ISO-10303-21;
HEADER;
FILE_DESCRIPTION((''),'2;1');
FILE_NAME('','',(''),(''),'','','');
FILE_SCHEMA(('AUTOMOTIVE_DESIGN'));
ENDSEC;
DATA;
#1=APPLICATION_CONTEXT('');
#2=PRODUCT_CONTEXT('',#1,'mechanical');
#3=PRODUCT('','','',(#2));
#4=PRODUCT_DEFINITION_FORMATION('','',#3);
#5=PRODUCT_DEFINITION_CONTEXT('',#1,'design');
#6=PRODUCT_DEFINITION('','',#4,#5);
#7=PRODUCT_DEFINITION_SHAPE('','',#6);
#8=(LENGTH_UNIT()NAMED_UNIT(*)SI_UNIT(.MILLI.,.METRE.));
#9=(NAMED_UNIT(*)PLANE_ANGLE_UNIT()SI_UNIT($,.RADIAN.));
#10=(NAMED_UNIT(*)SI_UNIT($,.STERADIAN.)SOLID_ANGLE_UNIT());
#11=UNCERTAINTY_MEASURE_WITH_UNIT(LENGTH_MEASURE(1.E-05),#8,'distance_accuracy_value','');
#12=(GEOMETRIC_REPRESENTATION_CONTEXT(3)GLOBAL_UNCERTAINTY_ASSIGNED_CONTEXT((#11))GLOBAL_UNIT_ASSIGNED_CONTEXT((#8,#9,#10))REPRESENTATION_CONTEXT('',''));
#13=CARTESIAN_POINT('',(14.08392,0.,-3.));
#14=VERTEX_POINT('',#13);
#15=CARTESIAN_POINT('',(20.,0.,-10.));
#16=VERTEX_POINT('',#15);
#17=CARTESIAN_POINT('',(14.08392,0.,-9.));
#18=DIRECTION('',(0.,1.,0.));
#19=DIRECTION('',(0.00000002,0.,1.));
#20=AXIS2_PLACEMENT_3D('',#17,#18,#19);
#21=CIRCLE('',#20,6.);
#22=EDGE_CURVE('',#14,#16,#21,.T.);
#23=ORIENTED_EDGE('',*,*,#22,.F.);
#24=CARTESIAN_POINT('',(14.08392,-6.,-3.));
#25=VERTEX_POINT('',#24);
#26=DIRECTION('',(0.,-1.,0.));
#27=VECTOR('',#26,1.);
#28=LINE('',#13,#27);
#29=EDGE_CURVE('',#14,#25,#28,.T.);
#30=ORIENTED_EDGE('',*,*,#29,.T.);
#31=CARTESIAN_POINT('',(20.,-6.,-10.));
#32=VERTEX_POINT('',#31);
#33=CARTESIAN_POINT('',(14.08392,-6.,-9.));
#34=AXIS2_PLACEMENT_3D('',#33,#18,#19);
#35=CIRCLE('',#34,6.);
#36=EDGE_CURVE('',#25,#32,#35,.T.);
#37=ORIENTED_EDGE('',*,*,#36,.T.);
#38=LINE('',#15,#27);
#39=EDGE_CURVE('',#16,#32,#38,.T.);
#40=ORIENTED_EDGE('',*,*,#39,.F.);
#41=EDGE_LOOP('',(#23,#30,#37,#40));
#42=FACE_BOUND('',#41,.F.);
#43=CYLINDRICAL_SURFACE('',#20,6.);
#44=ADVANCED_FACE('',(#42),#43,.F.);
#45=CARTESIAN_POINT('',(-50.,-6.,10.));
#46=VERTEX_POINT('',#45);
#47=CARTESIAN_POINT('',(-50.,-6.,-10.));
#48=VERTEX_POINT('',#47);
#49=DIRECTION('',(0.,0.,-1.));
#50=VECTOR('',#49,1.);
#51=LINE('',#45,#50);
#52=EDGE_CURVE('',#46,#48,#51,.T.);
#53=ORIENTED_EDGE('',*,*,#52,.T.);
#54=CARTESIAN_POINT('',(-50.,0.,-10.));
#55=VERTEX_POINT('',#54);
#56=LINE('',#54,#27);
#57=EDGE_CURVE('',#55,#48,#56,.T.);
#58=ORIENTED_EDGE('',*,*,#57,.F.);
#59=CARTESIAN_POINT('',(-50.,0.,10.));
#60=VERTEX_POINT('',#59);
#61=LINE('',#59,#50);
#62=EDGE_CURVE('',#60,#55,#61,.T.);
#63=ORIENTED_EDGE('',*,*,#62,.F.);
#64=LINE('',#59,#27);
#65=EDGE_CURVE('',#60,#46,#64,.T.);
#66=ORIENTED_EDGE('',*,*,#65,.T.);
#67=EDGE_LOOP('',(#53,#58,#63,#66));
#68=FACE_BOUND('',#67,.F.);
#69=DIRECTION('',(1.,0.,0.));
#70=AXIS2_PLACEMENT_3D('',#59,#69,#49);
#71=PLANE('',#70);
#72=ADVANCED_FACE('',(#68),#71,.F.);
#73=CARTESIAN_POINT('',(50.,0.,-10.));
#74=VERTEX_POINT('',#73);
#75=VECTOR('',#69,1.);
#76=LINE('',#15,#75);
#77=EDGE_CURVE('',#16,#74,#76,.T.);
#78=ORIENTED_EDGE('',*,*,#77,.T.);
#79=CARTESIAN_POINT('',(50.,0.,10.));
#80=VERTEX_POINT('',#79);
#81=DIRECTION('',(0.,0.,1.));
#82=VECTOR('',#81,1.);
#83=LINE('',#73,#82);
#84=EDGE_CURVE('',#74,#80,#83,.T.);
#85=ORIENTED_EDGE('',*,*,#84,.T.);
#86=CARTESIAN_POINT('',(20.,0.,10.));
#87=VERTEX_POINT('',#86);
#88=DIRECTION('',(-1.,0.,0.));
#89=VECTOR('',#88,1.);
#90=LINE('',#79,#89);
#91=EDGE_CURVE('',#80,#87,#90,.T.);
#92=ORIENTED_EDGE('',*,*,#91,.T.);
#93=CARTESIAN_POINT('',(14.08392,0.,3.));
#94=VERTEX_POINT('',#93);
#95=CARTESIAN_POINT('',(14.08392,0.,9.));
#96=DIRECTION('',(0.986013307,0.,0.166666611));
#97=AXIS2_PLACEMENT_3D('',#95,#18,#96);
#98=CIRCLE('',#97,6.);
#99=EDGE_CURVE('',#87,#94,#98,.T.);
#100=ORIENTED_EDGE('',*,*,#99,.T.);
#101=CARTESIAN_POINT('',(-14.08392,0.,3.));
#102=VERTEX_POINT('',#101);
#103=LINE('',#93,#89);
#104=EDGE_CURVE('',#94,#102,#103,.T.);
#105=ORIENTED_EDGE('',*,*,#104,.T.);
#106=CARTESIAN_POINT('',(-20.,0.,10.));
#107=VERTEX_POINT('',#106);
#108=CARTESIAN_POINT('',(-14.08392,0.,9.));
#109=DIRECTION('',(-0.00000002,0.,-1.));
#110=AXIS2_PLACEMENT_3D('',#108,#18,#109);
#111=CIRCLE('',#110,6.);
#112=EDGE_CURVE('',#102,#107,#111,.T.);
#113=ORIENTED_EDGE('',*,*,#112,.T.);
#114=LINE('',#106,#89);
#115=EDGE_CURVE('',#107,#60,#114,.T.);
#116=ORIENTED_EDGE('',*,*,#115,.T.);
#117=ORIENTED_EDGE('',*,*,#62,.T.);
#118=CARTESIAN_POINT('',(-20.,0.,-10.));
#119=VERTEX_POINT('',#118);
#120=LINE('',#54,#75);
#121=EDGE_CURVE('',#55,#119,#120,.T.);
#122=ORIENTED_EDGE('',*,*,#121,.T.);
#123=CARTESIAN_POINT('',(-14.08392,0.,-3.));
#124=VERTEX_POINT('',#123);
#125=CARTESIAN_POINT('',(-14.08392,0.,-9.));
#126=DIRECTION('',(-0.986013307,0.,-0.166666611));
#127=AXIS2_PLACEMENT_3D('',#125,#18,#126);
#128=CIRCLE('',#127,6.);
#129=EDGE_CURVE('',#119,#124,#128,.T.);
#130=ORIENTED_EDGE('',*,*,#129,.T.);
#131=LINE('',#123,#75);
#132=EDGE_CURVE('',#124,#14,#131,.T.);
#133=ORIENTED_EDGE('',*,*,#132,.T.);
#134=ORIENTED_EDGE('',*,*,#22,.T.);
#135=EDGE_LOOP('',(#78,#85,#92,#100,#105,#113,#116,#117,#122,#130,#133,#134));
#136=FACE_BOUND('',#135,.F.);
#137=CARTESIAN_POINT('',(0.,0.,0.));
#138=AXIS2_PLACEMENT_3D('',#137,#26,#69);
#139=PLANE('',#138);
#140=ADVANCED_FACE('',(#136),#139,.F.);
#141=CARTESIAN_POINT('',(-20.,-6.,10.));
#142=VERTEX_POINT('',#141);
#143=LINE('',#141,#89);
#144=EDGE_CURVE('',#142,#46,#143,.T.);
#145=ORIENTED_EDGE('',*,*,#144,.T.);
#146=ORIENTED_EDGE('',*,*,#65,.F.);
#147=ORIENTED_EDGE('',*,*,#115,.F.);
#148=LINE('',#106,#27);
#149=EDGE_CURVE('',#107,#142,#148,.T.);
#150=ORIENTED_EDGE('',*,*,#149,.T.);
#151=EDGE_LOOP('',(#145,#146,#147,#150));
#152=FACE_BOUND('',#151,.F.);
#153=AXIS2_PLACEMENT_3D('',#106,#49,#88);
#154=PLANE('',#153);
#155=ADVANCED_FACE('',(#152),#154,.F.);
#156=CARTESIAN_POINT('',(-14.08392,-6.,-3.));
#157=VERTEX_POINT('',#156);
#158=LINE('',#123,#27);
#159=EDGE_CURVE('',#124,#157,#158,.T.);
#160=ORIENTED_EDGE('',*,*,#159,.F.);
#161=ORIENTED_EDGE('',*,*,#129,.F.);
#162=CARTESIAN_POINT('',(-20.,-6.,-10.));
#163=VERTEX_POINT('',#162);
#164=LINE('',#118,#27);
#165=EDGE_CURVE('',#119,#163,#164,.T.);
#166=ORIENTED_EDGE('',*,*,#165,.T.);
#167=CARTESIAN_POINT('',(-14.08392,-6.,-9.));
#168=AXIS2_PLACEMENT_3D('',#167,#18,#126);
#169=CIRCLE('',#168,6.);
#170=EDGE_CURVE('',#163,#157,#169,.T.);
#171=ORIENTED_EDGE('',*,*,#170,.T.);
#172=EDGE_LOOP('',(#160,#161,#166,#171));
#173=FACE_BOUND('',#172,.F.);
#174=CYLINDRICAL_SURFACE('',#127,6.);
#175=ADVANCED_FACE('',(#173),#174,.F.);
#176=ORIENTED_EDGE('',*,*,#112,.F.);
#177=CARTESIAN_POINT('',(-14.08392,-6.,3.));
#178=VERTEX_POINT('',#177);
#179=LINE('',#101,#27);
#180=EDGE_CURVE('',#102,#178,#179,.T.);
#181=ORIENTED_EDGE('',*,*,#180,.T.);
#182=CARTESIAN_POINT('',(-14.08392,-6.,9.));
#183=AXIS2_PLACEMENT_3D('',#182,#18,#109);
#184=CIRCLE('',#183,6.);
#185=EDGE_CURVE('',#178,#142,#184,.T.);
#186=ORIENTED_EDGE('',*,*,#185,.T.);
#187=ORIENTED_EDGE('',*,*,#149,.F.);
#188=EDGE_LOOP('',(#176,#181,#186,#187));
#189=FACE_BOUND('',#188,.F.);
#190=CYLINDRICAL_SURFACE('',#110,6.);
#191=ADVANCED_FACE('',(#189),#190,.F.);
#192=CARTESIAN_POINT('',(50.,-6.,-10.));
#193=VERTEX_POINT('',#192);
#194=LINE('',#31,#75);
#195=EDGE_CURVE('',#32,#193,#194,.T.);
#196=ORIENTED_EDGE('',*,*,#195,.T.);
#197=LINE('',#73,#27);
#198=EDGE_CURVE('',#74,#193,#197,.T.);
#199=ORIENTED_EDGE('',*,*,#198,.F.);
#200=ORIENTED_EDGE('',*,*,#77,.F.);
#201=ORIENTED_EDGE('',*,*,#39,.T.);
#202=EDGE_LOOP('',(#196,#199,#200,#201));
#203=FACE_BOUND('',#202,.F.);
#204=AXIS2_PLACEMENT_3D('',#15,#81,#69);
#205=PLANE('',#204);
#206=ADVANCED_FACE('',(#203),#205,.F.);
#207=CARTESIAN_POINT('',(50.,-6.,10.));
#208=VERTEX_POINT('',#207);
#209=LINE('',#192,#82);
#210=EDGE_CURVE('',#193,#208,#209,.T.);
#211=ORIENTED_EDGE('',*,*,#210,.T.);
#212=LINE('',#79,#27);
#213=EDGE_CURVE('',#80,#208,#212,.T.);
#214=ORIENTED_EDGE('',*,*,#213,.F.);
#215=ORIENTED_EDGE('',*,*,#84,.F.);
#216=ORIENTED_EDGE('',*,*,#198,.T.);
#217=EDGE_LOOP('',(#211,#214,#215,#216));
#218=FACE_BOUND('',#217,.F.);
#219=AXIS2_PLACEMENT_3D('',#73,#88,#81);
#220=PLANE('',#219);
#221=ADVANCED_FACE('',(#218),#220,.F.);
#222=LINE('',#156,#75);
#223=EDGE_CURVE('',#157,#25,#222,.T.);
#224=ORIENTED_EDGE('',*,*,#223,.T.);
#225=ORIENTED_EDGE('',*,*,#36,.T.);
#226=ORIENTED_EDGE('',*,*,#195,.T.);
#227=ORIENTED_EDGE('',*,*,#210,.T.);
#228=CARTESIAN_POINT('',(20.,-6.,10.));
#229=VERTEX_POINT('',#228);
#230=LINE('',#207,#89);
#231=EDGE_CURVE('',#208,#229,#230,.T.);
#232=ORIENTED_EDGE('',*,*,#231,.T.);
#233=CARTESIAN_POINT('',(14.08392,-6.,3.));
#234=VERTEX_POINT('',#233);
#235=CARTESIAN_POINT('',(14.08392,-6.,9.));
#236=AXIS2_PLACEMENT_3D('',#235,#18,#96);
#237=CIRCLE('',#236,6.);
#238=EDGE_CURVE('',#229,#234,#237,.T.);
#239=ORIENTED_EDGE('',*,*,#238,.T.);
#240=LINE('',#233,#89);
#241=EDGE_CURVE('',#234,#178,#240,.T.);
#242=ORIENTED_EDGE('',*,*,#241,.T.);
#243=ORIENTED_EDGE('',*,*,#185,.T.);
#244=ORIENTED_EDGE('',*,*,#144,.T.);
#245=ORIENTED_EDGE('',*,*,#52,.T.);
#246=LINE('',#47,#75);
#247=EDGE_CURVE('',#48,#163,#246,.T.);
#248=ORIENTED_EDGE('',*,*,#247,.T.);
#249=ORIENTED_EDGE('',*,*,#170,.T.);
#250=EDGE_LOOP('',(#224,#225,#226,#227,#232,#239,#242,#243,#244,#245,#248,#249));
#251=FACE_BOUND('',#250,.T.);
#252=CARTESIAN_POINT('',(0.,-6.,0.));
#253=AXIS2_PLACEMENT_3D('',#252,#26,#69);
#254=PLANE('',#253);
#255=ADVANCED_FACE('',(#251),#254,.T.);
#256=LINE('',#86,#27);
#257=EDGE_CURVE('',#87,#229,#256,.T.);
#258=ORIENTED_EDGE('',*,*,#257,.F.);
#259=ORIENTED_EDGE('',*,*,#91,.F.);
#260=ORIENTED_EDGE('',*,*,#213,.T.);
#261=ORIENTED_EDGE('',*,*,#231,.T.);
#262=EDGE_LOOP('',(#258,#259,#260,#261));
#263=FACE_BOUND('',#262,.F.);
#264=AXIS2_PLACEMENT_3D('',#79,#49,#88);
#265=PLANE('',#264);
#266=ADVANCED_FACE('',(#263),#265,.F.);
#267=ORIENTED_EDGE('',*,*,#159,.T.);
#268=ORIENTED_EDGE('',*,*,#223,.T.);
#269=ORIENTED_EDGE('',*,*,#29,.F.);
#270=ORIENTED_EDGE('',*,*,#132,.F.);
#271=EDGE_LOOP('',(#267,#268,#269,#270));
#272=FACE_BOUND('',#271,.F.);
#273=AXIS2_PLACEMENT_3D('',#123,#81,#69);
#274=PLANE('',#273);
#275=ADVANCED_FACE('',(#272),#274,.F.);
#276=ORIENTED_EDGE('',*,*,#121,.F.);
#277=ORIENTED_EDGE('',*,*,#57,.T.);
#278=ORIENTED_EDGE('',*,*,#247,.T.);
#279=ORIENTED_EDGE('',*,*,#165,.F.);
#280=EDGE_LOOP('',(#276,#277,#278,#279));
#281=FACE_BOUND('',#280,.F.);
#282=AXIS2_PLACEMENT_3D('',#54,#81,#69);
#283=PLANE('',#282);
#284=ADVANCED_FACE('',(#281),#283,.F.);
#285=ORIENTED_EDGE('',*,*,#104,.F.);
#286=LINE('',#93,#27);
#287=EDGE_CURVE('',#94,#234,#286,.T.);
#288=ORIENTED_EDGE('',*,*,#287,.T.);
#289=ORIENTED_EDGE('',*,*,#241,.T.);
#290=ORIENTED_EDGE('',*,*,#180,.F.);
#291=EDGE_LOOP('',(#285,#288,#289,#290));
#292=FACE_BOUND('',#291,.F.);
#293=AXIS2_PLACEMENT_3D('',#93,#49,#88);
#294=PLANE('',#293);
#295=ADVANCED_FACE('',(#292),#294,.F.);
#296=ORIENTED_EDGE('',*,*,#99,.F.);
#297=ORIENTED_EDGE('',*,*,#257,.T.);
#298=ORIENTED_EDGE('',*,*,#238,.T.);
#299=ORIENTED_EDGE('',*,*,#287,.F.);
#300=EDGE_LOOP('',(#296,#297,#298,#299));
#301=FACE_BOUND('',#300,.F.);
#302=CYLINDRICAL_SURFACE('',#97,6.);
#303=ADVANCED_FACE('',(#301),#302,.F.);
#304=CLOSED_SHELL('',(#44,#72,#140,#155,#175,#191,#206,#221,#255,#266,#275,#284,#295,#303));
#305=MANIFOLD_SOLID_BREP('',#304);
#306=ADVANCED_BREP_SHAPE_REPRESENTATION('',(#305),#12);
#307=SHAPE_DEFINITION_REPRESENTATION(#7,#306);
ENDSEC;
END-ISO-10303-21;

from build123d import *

# Parameters (mm, degrees)
F1_DEPTH = 6


with BuildPart() as f1:
    # F0 (on Front) → F1 (new body)
    with BuildSketch(Plane.XZ):
        with BuildLine():
            Line((14.08392, 3), (0, 3))
            Line((0, 3), (-14.08392, 3))
            ThreePointArc((-14.08392, 3), (-18.666496, 5.127017), (-20, 10))
            Line((-20, 10), (-50, 10))
            Line((-50, 10), (-50, -10))
            Line((-50, -10), (-20, -10))
            ThreePointArc((-20, -10), (-18.666496, -5.127017), (-14.08392, -3))
            Line((-14.08392, -3), (0, -3))
            Line((0, -3), (14.08392, -3))
            ThreePointArc((14.08392, -3), (18.666496, -5.127017), (20, -10))
            Line((20, -10), (50, -10))
            Line((50, -10), (50, 10))
            Line((50, 10), (20, 10))
            ThreePointArc((20, 10), (18.666496, 5.127017), (14.08392, 3))
        make_face()
    extrude(amount=F1_DEPTH)


solid = f1.part
